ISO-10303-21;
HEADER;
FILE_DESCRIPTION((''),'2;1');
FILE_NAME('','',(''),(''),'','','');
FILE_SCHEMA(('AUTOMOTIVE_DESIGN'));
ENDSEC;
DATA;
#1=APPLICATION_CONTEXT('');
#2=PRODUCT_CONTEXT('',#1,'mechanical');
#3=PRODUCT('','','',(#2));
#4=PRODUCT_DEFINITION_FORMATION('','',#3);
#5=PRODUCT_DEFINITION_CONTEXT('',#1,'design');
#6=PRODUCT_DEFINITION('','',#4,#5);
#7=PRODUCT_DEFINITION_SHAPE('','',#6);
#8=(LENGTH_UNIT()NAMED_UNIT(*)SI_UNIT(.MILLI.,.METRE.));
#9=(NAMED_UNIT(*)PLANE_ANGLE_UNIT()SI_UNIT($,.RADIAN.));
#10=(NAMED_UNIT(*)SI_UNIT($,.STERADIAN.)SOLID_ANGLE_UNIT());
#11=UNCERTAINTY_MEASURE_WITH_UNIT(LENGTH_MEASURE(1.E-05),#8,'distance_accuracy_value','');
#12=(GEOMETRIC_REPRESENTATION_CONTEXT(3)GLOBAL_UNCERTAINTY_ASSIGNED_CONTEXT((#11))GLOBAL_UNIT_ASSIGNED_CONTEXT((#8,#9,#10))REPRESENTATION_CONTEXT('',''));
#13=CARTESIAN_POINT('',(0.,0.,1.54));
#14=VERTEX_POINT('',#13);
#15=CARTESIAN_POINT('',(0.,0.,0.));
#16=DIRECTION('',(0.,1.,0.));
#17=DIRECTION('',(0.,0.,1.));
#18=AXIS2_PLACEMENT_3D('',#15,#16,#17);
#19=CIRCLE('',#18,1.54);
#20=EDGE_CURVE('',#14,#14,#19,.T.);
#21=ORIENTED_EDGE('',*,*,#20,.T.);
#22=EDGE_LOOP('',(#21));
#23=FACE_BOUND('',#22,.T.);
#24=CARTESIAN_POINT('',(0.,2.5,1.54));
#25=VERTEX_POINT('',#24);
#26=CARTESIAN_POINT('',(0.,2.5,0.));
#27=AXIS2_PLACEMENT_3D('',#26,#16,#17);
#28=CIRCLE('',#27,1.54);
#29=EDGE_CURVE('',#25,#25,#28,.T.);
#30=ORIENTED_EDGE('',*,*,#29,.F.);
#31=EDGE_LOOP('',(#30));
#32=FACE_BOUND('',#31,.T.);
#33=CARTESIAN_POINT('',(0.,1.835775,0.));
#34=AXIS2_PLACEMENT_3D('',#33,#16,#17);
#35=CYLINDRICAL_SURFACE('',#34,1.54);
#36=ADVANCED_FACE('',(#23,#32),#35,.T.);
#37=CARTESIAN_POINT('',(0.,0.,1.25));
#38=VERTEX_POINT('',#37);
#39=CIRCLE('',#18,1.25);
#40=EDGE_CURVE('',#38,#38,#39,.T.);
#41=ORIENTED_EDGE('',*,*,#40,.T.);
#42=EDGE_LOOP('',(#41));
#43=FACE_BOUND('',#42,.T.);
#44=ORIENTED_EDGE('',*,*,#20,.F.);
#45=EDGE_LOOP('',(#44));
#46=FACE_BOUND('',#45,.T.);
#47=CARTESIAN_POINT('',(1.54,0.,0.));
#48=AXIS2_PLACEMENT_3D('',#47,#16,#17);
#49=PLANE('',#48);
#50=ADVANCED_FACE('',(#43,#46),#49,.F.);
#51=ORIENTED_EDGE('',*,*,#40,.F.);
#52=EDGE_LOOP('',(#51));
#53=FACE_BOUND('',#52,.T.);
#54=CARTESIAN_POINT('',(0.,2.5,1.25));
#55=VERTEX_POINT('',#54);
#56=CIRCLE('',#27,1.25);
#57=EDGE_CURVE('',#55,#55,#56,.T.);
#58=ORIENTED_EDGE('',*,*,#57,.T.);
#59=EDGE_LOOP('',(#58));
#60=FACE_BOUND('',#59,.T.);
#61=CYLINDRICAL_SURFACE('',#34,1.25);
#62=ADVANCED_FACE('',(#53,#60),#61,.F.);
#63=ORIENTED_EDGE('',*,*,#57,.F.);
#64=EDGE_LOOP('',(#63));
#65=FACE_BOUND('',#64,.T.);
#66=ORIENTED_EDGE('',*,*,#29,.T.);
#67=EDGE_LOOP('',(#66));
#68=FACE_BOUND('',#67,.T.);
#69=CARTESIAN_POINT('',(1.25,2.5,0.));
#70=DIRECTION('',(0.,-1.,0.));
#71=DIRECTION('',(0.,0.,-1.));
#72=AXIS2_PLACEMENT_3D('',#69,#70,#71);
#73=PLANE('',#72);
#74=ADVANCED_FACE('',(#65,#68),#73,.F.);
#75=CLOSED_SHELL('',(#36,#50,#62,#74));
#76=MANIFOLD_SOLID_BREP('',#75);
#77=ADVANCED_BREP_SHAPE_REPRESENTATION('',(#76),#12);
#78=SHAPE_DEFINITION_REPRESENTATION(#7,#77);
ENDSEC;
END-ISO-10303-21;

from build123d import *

# Parameters (mm, degrees)
ESQUISSE1_W = 0.29
ESQUISSE1_H = 2.5


with BuildPart() as part:
    # Esquisse1 → Révolution1 (revolve)
    with BuildSketch(Plane.XY):
        with Locations((1.395, 1.25)):
            Rectangle(ESQUISSE1_W, ESQUISSE1_H)
    revolve(axis=Axis((0, 1.835774822, 0), (0, -1, 0)))


solid = part.part
